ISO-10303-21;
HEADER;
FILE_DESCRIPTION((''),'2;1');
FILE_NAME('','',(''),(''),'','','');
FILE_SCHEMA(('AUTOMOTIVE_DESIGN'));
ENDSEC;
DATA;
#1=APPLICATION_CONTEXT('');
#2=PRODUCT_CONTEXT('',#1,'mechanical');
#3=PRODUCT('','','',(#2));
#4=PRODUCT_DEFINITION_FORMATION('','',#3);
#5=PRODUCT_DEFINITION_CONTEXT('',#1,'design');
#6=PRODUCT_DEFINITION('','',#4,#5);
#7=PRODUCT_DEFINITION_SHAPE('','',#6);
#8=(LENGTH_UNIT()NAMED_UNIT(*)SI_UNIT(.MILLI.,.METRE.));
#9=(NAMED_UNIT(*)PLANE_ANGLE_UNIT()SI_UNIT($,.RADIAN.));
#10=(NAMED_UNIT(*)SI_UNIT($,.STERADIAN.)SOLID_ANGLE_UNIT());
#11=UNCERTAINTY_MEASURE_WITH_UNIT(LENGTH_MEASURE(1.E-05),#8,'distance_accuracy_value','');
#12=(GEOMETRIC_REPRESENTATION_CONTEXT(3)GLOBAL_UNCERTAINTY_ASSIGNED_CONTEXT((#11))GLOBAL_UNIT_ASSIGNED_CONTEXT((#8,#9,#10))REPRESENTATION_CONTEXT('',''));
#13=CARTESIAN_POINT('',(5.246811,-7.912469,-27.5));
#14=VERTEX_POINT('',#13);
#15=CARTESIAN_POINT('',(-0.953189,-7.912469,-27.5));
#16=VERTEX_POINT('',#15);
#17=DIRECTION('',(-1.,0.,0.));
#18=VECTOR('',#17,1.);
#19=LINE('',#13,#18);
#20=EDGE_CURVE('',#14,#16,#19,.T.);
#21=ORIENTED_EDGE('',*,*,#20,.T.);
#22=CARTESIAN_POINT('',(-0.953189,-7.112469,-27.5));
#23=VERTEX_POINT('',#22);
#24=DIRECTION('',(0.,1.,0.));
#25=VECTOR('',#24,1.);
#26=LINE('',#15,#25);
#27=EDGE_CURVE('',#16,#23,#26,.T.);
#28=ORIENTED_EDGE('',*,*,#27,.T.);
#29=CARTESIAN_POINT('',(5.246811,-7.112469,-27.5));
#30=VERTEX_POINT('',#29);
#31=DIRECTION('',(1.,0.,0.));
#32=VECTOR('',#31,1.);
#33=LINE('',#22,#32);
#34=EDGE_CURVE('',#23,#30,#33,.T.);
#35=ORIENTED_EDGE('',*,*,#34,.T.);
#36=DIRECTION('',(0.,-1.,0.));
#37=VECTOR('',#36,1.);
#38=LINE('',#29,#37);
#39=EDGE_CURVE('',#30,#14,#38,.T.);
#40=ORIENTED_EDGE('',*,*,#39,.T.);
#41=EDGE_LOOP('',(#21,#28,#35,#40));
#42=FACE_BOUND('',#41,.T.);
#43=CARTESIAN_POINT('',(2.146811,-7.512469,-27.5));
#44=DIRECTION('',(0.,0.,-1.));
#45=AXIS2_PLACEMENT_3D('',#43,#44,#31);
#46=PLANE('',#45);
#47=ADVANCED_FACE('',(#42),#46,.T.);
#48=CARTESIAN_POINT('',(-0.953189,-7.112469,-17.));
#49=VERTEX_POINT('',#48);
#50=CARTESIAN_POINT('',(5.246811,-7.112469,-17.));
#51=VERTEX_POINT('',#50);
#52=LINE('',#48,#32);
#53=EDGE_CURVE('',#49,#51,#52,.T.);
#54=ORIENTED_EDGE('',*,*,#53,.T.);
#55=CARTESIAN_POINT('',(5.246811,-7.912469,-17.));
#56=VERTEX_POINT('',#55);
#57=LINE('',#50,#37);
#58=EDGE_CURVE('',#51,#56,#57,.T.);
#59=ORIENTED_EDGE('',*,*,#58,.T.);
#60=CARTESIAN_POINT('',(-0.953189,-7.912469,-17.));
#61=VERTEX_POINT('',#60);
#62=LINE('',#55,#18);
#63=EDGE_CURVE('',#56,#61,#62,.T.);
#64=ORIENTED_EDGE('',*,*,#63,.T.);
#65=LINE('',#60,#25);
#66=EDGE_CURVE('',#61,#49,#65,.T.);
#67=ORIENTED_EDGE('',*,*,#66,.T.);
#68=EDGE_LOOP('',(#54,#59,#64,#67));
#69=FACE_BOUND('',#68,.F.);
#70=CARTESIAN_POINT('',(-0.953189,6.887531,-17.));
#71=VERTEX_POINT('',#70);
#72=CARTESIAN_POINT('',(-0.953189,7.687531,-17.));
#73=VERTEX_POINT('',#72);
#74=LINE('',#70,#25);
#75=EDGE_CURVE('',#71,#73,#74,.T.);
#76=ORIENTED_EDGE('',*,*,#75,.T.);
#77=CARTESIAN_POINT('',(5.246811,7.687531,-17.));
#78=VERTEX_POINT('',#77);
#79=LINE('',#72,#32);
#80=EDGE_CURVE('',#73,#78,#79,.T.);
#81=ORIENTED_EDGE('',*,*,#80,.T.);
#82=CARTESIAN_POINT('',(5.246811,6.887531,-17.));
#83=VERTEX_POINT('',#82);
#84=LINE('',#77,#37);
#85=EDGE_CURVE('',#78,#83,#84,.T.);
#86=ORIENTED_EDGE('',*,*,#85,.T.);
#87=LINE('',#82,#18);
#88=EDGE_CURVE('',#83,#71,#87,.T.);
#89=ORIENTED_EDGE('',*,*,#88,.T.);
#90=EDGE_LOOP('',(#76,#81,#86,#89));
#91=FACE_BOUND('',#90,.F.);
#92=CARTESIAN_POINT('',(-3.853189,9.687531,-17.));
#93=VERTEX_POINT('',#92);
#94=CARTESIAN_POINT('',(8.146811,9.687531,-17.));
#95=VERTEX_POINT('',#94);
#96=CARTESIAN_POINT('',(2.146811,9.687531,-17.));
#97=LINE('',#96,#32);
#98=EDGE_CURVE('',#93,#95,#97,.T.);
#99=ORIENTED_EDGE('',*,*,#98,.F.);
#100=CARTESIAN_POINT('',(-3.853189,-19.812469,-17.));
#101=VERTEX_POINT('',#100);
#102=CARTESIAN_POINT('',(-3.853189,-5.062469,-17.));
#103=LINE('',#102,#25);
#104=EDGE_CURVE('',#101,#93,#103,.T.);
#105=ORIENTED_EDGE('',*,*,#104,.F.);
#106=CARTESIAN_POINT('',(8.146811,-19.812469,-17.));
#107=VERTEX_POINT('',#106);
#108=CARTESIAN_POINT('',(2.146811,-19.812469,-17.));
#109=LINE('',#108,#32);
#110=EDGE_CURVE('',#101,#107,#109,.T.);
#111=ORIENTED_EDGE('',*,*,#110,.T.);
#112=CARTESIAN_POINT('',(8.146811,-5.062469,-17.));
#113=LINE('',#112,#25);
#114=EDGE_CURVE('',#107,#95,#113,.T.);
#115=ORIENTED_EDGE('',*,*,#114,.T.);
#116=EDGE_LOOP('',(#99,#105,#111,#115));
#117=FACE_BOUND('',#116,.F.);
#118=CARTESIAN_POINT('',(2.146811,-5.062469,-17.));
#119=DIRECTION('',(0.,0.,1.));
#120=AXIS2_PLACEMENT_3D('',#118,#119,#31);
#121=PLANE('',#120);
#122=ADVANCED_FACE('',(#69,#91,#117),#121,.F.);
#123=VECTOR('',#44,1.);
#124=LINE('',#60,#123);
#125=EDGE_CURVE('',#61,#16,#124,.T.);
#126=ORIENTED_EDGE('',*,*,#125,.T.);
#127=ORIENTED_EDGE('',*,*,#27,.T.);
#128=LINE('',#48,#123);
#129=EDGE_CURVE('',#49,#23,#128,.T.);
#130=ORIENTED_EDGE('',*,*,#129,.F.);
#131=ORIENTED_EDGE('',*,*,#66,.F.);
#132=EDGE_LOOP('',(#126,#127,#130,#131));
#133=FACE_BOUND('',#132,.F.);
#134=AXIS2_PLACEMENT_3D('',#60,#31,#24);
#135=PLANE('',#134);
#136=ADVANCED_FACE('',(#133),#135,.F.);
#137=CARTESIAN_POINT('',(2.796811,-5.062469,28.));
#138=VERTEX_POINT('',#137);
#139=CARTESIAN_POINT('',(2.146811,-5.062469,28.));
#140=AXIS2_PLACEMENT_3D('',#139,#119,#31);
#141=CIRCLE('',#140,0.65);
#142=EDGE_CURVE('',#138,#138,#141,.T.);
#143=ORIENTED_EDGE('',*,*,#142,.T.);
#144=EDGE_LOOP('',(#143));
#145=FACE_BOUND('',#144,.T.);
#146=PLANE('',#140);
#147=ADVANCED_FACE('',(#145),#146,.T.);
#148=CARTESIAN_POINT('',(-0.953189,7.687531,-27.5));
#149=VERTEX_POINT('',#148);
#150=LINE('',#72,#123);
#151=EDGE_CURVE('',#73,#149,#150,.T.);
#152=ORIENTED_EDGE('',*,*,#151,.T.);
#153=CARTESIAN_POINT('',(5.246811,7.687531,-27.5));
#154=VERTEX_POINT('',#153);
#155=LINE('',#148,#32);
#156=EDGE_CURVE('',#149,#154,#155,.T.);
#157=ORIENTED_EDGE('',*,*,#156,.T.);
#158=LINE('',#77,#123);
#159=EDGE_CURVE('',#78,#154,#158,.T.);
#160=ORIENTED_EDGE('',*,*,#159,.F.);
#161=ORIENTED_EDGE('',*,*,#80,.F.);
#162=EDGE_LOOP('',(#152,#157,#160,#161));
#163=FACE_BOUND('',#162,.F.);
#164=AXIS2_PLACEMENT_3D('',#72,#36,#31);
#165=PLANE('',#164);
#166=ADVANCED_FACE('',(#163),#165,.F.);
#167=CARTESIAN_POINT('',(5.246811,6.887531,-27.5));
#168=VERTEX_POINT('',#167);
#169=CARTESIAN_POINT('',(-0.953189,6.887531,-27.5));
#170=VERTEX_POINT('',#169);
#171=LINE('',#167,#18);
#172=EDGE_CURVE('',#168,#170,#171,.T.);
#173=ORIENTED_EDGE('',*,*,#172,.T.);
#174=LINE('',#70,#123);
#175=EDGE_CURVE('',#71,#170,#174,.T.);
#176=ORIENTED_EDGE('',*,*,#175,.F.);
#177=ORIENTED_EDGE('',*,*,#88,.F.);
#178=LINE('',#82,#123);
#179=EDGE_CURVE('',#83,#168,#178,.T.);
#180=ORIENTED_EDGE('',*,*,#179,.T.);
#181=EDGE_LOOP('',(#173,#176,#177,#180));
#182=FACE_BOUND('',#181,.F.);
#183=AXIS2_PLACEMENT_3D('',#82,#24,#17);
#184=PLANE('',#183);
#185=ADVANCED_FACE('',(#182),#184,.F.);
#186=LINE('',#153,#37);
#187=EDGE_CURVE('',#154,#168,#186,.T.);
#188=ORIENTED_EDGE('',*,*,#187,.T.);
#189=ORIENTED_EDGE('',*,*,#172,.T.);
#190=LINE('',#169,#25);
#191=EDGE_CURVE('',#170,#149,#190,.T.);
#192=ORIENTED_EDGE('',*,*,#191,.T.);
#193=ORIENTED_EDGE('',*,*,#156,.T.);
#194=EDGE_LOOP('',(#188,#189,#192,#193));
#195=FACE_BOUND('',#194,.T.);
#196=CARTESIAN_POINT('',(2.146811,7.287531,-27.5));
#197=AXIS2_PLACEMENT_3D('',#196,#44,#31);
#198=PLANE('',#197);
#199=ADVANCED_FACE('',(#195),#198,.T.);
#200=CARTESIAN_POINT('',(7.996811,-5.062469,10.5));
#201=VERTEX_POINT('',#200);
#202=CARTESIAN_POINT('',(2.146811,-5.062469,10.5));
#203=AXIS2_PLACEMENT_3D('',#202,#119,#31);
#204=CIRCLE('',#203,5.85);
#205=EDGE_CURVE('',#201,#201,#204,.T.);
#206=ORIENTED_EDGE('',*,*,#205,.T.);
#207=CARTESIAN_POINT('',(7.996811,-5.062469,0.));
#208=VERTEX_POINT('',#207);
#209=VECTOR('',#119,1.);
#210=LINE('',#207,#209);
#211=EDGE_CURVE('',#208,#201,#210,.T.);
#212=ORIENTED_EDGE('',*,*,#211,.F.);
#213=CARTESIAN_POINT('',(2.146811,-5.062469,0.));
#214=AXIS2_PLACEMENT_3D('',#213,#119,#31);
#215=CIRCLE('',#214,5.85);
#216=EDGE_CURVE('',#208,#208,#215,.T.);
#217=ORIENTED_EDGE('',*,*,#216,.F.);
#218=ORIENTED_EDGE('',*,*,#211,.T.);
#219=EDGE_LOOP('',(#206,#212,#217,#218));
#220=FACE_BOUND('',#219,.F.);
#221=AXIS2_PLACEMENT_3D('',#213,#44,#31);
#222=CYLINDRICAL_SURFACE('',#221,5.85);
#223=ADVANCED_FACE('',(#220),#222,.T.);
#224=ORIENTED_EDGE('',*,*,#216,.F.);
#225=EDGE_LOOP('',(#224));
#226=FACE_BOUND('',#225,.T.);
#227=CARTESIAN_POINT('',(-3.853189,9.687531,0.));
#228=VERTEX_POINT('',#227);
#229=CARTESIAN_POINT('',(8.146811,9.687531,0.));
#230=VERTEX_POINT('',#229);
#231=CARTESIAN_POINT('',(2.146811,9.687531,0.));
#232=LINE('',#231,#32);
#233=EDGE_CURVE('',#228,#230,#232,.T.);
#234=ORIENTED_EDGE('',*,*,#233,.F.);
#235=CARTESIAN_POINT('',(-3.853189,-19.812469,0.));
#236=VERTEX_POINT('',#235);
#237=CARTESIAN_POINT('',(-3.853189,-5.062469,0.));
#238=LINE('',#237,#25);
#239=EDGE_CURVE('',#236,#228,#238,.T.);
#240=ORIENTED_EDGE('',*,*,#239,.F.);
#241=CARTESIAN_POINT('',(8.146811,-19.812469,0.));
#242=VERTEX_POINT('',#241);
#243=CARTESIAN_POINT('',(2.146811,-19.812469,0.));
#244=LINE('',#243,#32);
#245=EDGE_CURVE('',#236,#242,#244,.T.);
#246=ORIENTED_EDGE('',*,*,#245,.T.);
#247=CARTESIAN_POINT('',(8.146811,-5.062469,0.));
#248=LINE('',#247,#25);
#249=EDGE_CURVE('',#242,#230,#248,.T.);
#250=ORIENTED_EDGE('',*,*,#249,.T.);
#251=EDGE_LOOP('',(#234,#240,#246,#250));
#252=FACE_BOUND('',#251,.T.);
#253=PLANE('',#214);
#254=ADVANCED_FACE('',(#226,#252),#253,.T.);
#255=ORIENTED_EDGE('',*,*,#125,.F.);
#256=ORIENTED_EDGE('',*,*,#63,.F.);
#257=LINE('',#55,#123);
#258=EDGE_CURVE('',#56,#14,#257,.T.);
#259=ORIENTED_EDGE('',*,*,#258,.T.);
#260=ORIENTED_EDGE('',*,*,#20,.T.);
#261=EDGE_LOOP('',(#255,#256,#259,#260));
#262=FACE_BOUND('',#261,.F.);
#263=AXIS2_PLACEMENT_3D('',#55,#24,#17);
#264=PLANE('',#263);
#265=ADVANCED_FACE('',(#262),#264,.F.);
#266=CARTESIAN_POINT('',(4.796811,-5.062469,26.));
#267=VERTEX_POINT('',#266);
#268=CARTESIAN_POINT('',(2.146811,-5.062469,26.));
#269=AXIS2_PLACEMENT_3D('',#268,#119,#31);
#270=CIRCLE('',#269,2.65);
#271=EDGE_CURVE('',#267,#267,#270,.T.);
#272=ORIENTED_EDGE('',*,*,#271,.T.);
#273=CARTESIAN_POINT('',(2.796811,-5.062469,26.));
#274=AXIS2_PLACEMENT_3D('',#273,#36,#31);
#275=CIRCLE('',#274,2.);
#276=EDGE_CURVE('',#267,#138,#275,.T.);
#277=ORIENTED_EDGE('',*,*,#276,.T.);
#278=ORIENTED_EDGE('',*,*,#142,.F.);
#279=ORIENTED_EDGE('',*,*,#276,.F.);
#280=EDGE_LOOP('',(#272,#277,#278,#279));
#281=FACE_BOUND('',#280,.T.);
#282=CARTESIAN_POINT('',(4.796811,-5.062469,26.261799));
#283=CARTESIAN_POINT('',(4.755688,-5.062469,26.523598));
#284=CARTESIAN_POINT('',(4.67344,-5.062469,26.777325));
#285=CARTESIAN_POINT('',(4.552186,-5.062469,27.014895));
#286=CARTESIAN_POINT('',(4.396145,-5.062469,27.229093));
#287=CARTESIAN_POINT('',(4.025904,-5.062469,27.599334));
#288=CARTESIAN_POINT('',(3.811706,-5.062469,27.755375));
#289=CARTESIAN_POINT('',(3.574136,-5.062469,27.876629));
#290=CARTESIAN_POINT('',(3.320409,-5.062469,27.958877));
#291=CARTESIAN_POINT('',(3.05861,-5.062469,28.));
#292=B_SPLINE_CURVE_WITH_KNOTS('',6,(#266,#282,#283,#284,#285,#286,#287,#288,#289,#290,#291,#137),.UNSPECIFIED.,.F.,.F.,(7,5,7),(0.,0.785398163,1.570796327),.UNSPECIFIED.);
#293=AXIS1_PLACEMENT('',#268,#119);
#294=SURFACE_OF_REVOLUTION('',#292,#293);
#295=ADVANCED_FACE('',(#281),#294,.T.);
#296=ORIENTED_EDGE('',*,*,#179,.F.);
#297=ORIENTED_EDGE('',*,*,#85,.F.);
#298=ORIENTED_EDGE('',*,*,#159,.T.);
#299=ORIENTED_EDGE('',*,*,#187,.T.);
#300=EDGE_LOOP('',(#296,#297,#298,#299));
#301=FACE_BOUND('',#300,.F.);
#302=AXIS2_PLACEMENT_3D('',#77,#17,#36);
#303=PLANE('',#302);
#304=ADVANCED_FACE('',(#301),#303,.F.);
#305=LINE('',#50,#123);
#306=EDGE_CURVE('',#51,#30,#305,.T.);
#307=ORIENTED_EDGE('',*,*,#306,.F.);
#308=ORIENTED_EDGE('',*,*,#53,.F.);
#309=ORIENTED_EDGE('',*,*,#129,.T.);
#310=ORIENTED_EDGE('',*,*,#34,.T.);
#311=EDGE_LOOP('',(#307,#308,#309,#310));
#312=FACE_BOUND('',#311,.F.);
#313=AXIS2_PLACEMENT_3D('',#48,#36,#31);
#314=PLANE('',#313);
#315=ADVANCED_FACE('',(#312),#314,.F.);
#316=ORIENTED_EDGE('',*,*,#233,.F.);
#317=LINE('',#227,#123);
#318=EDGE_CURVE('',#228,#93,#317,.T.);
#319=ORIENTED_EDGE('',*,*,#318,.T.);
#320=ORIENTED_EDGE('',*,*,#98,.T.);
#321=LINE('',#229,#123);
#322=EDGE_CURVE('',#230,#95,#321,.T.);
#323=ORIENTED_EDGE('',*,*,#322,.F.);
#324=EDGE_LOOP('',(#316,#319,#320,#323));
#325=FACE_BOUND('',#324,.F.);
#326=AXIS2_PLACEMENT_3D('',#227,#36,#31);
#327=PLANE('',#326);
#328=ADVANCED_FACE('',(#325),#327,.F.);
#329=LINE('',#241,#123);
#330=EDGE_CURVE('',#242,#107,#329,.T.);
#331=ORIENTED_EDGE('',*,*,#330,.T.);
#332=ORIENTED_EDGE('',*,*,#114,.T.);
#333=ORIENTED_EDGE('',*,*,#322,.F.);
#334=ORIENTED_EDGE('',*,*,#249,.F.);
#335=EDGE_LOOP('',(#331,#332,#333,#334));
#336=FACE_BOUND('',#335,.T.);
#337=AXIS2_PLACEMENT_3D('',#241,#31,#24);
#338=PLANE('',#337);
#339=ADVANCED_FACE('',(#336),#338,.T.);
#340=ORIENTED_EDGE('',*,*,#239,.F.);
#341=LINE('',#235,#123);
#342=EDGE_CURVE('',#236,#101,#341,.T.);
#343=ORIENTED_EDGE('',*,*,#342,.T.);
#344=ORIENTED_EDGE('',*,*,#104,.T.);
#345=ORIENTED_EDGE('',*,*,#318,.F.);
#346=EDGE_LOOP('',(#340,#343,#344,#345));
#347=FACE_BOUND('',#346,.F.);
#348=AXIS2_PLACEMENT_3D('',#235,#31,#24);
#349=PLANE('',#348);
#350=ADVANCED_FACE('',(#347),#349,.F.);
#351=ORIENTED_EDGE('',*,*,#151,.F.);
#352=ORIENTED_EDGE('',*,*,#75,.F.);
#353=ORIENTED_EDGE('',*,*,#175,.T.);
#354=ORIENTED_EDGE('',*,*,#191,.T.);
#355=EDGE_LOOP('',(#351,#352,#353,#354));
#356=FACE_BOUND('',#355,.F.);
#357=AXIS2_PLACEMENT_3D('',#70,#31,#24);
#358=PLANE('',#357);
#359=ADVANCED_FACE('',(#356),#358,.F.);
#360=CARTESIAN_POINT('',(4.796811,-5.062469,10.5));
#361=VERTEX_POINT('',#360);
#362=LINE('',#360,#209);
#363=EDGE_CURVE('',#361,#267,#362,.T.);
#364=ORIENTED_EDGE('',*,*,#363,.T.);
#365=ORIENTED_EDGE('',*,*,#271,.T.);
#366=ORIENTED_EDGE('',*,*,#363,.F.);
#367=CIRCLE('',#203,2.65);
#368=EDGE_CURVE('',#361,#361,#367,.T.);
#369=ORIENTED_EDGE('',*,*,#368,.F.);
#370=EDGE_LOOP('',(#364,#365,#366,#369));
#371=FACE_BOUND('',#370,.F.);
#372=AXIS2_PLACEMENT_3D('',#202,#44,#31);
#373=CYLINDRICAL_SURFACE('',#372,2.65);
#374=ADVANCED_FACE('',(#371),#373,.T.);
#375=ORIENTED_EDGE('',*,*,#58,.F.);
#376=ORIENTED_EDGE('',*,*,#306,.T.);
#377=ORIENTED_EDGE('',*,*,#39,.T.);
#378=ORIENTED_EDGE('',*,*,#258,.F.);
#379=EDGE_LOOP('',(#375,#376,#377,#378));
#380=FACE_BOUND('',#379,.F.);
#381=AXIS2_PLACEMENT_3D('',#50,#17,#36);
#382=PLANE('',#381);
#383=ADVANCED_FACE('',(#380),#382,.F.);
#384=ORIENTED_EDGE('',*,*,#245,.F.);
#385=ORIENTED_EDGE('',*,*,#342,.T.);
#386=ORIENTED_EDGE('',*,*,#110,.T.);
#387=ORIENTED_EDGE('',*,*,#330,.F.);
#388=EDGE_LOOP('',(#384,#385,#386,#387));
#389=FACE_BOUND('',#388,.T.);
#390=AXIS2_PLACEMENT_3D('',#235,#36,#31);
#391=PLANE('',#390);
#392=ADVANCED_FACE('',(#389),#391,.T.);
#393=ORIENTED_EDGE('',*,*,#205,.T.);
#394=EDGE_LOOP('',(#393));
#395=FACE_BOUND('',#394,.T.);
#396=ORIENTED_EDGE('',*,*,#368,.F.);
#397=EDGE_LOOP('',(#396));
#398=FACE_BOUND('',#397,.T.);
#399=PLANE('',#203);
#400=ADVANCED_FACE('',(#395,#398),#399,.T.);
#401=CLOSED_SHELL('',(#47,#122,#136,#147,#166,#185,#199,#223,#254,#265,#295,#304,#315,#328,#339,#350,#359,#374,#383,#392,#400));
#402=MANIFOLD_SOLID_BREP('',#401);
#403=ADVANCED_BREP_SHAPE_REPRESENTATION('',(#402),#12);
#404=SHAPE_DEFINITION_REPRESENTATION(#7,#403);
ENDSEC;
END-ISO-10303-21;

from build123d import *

# Parameters (mm, degrees)
F0_W     = 12
F0_H     = 29.5
F0_R     = 5.85
F1_DEPTH = 17
F2_DEPTH = 10.5
F3_R     = 2.65
F4_DEPTH = 17.5
F5_R     = 2
F7_DEPTH = 10.5


with BuildPart() as f1:
    # F0 (on Top) → F1 (new body)
    with BuildSketch(Plane.XY):
        with Locations((2.146811, -5.062469)):
            Rectangle(F0_W, F0_H)
        with Locations((2.146811, -5.062469)):
            Circle(F0_R, mode=Mode.SUBTRACT)
        with Locations((2.146811, -5.062469)):
            Circle(F0_R)
    extrude(amount=-F1_DEPTH)

    # F0 (on Top) → F2 (join)
    with BuildSketch(Plane.XY):
        with Locations((2.146811, -5.062469)):
            Circle(F0_R)
    extrude(amount=F2_DEPTH)

    # F3 (on face) → F4 (join)
    with BuildSketch(Plane.XY.offset(10.5)):
        with Locations((2.146811, -5.062469)):
            Circle(F3_R)
    extrude(amount=F4_DEPTH)

    # F5
    f5_edges = [f1.edges().sort_by_distance(p)[0] for p in [
        (-0.503189, -5.062469, 28),
    ]]
    fillet(f5_edges, radius=F5_R)

    # F6 (on face) → F7 (join)
    with BuildSketch(Plane(origin=(0, 0, -17), x_dir=(1, 0, 0), z_dir=(0, 0, -1))):
        Polygon((-0.953189, 7.112469), (2.146811, 7.112469), (5.246811, 7.112469), (5.246811, 7.912469), (-0.953189, 7.912469), align=None)
        Polygon((-0.953189, -7.687531), (2.146811, -7.687531), (5.246811, -7.687531), (5.246811, -6.887531), (-0.953189, -6.887531), align=None)
    extrude(amount=F7_DEPTH)


solid = f1.part
